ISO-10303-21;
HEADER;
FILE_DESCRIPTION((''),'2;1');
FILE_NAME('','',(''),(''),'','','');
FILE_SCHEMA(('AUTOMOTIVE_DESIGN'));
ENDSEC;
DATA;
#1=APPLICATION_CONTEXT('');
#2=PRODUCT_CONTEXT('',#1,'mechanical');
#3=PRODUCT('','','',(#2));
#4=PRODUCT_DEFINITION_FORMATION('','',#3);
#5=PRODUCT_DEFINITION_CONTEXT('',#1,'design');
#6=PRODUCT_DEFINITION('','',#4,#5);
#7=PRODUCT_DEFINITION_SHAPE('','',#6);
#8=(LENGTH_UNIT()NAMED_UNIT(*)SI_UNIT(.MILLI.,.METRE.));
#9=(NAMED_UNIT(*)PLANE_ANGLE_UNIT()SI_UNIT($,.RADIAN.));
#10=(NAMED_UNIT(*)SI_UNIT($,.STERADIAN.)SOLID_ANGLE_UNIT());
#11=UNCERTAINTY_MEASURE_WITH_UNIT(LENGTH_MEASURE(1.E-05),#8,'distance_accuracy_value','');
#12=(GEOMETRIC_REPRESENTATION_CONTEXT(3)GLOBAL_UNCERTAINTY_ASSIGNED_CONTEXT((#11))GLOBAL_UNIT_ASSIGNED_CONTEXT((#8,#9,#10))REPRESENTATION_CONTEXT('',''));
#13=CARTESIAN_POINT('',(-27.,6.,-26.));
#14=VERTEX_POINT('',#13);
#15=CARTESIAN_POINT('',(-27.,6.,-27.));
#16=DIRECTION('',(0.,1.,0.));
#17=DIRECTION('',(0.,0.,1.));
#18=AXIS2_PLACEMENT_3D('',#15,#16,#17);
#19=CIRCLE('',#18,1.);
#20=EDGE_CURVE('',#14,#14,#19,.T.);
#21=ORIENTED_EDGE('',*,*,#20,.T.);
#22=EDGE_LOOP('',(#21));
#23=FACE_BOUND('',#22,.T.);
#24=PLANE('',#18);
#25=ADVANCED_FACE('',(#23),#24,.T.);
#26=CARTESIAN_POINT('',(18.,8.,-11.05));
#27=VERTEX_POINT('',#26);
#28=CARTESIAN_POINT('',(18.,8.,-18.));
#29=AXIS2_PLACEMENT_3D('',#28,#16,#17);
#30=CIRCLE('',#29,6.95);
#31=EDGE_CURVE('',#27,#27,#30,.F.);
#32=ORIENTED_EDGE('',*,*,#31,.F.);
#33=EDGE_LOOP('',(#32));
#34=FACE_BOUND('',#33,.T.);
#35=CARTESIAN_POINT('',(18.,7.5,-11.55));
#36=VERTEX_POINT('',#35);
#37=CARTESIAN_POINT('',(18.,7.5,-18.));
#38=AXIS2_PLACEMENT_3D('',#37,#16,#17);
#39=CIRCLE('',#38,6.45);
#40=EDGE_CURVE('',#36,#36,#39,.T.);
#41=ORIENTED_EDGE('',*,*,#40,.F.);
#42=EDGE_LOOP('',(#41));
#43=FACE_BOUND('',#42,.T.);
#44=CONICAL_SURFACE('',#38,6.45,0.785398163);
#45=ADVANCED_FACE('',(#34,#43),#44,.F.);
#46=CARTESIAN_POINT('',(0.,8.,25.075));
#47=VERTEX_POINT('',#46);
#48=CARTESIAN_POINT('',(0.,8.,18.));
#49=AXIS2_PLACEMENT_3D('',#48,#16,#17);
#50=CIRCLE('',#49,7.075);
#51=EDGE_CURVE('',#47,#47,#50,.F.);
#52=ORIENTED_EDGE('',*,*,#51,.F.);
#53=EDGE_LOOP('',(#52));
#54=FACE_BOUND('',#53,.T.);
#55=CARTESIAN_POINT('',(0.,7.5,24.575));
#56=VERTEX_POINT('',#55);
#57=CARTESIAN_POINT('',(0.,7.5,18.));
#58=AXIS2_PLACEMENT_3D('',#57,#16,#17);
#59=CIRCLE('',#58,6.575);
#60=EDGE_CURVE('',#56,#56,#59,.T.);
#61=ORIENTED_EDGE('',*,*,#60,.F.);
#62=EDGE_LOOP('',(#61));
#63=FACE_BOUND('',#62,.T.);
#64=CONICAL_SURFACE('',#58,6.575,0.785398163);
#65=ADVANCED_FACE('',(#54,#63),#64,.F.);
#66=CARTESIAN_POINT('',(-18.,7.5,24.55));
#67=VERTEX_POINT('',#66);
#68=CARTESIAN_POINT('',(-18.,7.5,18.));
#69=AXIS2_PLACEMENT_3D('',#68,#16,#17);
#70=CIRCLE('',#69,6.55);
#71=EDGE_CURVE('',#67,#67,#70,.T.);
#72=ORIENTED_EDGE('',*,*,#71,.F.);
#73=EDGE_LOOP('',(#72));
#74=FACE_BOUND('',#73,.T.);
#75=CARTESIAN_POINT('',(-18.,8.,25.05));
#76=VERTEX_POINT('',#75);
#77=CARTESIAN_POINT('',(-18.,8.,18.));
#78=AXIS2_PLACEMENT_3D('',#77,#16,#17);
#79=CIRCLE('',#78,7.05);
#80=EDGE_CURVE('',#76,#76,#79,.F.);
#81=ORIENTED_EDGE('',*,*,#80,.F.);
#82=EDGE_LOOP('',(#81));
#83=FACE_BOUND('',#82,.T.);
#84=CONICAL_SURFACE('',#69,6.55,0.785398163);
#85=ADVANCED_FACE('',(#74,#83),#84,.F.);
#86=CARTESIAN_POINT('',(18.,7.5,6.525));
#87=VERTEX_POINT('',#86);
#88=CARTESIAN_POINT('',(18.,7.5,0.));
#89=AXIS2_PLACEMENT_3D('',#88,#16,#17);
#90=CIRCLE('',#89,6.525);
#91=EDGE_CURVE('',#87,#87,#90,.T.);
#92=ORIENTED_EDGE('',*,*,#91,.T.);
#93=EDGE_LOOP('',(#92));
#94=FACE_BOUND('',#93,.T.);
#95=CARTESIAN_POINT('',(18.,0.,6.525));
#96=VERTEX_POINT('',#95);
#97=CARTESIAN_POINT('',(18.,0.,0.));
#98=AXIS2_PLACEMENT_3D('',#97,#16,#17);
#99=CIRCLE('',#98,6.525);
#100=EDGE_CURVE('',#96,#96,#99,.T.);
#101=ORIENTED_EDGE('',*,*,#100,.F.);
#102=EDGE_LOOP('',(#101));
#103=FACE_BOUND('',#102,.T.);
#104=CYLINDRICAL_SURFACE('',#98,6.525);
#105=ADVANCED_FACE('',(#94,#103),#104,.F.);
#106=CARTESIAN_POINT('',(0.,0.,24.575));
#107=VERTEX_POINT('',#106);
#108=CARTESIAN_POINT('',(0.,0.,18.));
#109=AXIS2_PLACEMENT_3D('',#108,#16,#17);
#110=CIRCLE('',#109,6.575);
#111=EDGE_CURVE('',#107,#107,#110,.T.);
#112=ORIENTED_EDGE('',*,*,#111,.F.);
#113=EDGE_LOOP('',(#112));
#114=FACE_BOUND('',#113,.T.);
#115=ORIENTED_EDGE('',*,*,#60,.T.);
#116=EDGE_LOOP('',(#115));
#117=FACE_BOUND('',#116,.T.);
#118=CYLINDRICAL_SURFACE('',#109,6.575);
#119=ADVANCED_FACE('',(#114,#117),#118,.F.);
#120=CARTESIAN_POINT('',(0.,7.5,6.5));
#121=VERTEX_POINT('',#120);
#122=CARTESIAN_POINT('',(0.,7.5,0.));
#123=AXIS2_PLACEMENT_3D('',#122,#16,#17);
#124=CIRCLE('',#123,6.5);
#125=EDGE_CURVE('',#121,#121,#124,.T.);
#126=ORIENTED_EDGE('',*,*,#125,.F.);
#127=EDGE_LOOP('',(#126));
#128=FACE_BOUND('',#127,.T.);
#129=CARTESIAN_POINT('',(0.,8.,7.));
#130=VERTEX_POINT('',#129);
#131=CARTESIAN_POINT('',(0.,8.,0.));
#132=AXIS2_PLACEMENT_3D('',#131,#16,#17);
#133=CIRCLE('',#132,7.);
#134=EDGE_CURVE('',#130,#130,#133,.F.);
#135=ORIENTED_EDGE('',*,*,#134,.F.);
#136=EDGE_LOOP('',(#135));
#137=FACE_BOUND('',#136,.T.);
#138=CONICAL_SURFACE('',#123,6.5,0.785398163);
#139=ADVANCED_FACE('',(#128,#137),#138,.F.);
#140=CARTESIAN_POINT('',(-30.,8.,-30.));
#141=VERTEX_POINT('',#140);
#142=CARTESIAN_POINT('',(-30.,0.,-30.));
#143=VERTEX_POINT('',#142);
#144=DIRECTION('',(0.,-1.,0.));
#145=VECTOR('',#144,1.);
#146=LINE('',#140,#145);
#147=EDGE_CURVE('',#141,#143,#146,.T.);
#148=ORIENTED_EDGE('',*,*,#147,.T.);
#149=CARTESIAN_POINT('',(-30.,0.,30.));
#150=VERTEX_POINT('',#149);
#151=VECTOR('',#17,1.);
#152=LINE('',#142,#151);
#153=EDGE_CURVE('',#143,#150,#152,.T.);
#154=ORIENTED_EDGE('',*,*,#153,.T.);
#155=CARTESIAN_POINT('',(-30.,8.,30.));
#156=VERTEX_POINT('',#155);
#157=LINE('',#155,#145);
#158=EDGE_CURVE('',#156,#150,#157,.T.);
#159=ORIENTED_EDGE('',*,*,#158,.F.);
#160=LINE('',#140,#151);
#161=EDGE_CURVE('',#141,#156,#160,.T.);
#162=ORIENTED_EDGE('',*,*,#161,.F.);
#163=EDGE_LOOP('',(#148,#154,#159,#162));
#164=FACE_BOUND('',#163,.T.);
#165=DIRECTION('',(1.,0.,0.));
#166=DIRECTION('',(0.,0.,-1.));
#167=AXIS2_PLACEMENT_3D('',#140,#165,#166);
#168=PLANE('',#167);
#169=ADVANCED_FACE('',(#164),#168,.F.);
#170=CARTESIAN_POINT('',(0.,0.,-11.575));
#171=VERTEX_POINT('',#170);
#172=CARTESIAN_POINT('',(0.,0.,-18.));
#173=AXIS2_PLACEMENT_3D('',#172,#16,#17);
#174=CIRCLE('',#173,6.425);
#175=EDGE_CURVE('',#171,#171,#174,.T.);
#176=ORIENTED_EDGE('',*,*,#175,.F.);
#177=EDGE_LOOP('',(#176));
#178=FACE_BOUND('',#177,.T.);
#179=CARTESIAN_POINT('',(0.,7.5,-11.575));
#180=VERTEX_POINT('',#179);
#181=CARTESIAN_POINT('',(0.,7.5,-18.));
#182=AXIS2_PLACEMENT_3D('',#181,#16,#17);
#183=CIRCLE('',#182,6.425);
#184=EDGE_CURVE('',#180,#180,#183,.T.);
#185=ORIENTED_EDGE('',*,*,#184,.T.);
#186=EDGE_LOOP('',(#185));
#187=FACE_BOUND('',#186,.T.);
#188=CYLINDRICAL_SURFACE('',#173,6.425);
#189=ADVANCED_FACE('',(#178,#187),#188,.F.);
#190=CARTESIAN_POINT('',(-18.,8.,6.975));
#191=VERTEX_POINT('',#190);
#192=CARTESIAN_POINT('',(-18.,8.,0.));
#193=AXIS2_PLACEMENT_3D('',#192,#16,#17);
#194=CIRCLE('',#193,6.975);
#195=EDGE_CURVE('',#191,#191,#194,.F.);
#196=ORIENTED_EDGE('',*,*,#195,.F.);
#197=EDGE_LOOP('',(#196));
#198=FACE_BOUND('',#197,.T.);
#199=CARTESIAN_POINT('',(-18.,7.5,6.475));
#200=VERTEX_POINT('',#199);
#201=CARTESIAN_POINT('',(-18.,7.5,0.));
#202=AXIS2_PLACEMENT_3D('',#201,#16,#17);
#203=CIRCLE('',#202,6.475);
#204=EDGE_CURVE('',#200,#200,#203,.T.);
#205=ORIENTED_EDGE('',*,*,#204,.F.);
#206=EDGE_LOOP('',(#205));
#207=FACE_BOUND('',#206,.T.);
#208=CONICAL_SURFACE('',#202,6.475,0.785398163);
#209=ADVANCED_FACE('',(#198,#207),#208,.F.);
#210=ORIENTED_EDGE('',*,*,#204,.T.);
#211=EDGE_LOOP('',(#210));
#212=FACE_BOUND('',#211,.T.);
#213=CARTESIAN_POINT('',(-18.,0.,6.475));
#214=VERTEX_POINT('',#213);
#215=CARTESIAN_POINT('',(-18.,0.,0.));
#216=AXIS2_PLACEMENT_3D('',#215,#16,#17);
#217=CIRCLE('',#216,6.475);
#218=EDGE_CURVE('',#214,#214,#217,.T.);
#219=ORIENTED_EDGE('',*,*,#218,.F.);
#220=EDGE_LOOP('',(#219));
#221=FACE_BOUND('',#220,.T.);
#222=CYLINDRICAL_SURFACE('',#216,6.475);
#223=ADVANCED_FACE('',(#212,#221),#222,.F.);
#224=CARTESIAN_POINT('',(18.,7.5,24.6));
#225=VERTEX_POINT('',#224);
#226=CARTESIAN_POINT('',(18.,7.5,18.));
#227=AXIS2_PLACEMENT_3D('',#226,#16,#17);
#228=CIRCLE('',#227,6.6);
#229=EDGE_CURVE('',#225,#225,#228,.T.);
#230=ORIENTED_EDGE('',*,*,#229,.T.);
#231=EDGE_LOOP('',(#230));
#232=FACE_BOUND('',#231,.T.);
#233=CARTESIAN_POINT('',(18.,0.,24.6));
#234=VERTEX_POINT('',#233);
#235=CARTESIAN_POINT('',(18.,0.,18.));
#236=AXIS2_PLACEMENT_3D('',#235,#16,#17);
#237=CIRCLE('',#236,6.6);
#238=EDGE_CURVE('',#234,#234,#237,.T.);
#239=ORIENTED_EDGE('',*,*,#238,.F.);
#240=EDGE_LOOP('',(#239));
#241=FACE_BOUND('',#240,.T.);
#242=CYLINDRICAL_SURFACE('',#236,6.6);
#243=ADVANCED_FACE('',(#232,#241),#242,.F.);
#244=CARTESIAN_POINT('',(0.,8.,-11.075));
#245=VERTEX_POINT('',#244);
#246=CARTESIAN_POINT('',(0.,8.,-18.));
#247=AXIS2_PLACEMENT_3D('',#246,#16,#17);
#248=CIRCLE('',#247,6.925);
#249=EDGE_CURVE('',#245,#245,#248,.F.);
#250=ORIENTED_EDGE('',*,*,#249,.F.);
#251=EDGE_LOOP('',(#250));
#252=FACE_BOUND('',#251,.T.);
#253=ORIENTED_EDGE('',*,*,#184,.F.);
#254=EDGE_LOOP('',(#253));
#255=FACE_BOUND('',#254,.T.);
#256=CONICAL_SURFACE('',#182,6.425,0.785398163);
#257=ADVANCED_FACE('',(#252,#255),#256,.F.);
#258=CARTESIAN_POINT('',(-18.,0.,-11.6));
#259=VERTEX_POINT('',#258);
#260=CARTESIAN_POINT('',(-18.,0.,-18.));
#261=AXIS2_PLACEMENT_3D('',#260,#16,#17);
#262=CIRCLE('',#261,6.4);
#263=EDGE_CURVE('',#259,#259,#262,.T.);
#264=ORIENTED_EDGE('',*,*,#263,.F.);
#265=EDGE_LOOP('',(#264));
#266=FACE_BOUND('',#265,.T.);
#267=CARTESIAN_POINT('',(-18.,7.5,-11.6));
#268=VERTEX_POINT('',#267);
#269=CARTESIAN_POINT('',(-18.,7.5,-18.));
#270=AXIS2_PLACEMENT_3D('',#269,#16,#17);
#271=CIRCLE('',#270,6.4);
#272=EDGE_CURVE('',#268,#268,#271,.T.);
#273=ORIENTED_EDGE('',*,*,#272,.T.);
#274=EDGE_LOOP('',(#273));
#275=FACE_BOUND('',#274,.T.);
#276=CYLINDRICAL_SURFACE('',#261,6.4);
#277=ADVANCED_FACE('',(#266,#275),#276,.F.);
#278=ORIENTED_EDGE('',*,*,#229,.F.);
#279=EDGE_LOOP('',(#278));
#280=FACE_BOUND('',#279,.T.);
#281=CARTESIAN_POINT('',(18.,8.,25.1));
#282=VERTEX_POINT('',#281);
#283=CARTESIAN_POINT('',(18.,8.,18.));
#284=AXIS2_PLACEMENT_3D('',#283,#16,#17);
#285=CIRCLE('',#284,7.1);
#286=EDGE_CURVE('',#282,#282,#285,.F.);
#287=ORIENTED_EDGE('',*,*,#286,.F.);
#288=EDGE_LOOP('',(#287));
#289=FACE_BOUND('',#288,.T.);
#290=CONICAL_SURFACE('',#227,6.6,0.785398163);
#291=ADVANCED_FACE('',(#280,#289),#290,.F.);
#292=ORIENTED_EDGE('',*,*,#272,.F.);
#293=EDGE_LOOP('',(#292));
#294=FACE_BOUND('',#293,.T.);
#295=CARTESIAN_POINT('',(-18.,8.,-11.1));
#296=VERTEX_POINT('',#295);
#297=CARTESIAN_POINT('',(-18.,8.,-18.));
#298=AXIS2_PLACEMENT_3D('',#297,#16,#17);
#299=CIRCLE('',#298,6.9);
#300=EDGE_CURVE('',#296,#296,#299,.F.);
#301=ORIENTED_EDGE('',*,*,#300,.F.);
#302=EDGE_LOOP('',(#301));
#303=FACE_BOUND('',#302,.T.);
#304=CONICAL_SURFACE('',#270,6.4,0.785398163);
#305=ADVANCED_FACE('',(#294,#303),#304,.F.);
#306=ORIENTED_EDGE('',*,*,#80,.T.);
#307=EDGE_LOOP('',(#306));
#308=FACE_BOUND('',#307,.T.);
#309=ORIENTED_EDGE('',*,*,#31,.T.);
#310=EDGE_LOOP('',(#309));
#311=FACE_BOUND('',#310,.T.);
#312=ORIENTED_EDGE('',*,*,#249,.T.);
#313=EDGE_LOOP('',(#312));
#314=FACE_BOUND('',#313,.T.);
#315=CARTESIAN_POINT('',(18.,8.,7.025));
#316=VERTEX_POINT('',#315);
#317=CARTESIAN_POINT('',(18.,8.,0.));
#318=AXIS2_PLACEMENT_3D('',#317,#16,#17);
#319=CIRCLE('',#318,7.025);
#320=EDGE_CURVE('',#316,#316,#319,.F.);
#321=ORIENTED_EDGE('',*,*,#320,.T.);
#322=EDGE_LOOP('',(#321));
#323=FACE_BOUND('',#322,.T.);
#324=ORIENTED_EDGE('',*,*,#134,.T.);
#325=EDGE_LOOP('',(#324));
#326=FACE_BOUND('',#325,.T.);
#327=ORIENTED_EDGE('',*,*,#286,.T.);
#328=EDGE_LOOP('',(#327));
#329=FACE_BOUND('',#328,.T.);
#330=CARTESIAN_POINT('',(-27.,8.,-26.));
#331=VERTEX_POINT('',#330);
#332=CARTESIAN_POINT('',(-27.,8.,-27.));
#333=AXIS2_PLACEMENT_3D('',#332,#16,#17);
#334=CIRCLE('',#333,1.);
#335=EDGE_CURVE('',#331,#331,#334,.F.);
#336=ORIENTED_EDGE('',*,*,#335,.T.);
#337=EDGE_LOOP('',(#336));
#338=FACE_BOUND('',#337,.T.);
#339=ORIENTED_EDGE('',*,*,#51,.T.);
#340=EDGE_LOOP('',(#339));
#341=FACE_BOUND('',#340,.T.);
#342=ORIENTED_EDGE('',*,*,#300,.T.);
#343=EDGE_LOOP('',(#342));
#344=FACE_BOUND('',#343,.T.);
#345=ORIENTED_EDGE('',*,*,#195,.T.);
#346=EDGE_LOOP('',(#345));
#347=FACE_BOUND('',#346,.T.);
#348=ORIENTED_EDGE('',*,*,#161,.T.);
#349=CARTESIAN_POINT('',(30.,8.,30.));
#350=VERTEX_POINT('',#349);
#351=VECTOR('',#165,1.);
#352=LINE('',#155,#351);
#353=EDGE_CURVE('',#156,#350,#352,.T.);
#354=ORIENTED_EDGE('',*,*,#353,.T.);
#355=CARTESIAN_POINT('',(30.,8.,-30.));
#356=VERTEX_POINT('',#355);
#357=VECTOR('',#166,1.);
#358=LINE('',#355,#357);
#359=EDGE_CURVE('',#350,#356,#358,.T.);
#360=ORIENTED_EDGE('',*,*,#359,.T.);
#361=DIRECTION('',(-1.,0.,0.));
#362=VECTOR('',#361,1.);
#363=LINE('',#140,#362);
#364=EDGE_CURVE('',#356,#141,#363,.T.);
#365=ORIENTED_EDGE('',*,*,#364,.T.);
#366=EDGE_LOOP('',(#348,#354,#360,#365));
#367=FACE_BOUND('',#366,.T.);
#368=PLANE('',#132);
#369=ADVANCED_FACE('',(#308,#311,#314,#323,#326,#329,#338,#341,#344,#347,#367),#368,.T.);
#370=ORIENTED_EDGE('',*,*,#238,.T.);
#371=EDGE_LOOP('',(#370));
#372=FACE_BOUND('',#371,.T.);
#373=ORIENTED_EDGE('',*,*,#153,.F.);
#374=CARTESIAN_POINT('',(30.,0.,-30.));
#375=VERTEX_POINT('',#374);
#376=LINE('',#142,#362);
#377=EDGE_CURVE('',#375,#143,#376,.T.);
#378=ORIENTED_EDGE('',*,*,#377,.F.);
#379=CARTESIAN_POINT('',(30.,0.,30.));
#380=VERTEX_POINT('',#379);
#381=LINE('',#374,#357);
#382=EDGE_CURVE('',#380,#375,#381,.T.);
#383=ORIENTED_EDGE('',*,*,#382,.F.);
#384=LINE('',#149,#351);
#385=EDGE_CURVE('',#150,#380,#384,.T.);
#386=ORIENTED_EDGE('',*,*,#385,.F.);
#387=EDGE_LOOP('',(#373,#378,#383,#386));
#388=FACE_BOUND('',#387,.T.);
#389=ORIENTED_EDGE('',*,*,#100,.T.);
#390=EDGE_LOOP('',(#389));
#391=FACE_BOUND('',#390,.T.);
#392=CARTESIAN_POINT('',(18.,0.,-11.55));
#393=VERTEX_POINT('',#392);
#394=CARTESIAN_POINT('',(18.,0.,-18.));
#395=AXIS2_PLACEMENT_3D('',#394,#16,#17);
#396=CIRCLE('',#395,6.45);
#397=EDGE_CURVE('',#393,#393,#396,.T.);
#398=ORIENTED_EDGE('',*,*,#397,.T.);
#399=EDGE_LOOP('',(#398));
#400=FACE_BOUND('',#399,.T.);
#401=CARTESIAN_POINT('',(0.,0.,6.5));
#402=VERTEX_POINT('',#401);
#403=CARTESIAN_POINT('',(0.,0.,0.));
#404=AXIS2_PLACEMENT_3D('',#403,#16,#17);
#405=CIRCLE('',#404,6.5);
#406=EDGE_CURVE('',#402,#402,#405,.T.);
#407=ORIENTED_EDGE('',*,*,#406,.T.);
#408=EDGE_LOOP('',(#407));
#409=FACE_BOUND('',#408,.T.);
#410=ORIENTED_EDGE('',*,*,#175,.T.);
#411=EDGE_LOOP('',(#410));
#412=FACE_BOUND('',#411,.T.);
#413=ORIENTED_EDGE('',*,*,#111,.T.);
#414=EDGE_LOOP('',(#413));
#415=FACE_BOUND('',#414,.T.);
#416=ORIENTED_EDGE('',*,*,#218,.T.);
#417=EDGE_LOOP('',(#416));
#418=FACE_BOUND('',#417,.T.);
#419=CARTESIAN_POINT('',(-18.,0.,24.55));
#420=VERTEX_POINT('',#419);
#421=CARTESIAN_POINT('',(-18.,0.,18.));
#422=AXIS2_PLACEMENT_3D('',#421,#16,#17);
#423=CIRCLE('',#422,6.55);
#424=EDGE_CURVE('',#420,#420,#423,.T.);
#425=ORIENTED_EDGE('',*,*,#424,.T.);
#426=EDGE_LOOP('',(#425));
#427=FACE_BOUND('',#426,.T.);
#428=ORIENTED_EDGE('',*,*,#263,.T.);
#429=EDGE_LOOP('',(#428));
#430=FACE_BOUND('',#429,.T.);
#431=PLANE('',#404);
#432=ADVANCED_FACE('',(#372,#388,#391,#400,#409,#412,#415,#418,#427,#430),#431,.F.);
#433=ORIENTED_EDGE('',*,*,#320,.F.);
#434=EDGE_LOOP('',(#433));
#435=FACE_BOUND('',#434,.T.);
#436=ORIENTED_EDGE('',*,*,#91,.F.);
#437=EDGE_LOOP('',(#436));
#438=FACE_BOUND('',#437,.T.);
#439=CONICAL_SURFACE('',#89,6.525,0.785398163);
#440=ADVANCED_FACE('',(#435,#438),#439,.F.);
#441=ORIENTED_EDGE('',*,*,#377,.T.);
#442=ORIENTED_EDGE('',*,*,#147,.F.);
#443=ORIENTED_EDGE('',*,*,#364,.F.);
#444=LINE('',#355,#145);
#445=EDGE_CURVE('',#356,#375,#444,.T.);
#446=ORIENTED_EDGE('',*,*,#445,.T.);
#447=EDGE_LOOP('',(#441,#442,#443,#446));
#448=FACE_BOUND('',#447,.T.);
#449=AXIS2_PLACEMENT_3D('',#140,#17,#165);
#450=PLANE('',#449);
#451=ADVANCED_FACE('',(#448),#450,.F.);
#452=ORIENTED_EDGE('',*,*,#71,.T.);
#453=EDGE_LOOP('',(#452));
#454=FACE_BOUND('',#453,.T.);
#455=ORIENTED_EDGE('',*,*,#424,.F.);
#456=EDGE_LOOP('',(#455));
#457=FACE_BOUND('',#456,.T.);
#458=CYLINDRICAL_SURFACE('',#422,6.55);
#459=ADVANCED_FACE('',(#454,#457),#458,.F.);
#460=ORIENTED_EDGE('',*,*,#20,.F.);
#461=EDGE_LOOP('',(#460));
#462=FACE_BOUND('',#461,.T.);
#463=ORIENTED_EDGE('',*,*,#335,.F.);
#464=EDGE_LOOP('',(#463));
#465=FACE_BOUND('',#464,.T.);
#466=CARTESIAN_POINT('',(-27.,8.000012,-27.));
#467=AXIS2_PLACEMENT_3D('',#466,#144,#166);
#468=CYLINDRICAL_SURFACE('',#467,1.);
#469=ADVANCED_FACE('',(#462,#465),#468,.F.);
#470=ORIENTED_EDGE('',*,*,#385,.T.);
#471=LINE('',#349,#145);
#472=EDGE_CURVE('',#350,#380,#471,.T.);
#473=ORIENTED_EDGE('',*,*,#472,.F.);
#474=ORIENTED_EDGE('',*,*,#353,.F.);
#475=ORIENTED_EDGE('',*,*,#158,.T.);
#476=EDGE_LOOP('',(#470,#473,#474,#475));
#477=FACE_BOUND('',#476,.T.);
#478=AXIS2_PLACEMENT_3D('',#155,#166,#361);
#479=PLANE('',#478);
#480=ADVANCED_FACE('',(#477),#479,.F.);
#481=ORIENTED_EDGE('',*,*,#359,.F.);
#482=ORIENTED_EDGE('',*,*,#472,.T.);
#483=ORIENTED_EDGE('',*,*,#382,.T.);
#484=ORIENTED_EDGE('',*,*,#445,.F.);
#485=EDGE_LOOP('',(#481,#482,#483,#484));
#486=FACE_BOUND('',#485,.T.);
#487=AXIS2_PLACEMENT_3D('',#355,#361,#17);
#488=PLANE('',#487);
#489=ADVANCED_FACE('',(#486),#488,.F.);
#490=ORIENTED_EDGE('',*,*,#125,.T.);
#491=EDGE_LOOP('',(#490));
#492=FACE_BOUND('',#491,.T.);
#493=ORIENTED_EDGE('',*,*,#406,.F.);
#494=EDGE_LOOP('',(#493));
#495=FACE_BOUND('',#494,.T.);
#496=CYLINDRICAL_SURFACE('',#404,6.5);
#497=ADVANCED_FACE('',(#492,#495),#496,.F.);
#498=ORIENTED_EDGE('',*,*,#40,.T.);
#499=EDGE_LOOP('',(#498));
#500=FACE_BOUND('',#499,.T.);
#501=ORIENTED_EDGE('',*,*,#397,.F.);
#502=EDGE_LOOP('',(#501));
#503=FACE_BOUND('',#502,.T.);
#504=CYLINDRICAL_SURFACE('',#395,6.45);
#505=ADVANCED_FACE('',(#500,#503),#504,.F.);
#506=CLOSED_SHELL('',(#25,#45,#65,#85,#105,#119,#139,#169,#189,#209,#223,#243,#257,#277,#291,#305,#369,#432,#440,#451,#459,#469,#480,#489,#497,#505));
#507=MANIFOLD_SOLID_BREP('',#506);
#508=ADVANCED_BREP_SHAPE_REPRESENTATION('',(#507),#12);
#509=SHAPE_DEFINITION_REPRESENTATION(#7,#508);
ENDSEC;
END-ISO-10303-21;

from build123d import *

# Parameters (mm, degrees)
SKETCH1_W               = 60
SKETCH1_H               = 60
BOSS_EXTRUDE1_DEPTH     = 8
SKETCH3_R               = 6.4
SKETCH3_R_2             = 6.425
SKETCH3_R_3             = 6.45
SKETCH3_R_4             = 6.475
SKETCH3_R_5             = 6.5
SKETCH3_R_6             = 6.525
SKETCH3_R_7             = 6.55
SKETCH3_R_8             = 6.575
SKETCH3_R_9             = 6.6
CUT_EXTRUDE1_DEPTH      = 1
CUT_EXTRUDE1_DEPTH_BACK = 9
CHAMFER1_SIZE           = 0.5
SKETCH4_R               = 1
CUT_EXTRUDE2_DEPTH      = 1
CUT_EXTRUDE2_DEPTH_BACK = 2


with BuildPart() as part:
    # Sketch1 → Boss-Extrude1 (new body)
    with BuildSketch(Plane(origin=(0, 0, 0), x_dir=(1, 0, 0), z_dir=(0, 1, 0))):
        Rectangle(SKETCH1_W, SKETCH1_H)
    extrude(amount=BOSS_EXTRUDE1_DEPTH)

    # Sketch3 → Cut-Extrude1 (cut, two sides)
    with BuildSketch(Plane(origin=(0, 8, 0), x_dir=(1, 0, 0), z_dir=(0, 1, 0))) as cut_extrude1_sk:
        with Locations((-18, 18)):
            Circle(SKETCH3_R)
        with Locations((0, 18)):
            Circle(SKETCH3_R_2)
        with Locations((18, 18)):
            Circle(SKETCH3_R_3)
        with Locations((-18, 0)):
            Circle(SKETCH3_R_4)
        Circle(SKETCH3_R_5)
        with Locations((18, 0)):
            Circle(SKETCH3_R_6)
        with Locations((-18, -18)):
            Circle(SKETCH3_R_7)
        with Locations((0, -18)):
            Circle(SKETCH3_R_8)
        with Locations((18, -18)):
            Circle(SKETCH3_R_9)
    extrude(amount=CUT_EXTRUDE1_DEPTH, mode=Mode.SUBTRACT)
    extrude(cut_extrude1_sk.sketch, amount=-CUT_EXTRUDE1_DEPTH_BACK, mode=Mode.SUBTRACT)

    # Chamfer1
    chamfer1_edges = [part.edges().sort_by_distance(p)[0] for p in [
        (-6.425, 8, -18),
        (11.55, 8, -18),
        (-24.475, 8, 0),
        (-6.5, 8, 0),
        (-24.55, 8, 18),
        (11.4, 8, 18),
        (-6.575, 8, 18),
        (11.475, 8, 0),
        (-24.4, 8, -18),
    ]]
    chamfer(chamfer1_edges, length=CHAMFER1_SIZE)

    # Sketch4 → Cut-Extrude2 (cut, two sides)
    with BuildSketch(Plane(origin=(0, 8, 0), x_dir=(1, 0, 0), z_dir=(0, 1, 0))) as cut_extrude2_sk:
        with Locations((-27, 27)):
            Circle(SKETCH4_R)
    extrude(amount=CUT_EXTRUDE2_DEPTH, mode=Mode.SUBTRACT)
    extrude(cut_extrude2_sk.sketch, amount=-CUT_EXTRUDE2_DEPTH_BACK, mode=Mode.SUBTRACT)


solid = part.part
